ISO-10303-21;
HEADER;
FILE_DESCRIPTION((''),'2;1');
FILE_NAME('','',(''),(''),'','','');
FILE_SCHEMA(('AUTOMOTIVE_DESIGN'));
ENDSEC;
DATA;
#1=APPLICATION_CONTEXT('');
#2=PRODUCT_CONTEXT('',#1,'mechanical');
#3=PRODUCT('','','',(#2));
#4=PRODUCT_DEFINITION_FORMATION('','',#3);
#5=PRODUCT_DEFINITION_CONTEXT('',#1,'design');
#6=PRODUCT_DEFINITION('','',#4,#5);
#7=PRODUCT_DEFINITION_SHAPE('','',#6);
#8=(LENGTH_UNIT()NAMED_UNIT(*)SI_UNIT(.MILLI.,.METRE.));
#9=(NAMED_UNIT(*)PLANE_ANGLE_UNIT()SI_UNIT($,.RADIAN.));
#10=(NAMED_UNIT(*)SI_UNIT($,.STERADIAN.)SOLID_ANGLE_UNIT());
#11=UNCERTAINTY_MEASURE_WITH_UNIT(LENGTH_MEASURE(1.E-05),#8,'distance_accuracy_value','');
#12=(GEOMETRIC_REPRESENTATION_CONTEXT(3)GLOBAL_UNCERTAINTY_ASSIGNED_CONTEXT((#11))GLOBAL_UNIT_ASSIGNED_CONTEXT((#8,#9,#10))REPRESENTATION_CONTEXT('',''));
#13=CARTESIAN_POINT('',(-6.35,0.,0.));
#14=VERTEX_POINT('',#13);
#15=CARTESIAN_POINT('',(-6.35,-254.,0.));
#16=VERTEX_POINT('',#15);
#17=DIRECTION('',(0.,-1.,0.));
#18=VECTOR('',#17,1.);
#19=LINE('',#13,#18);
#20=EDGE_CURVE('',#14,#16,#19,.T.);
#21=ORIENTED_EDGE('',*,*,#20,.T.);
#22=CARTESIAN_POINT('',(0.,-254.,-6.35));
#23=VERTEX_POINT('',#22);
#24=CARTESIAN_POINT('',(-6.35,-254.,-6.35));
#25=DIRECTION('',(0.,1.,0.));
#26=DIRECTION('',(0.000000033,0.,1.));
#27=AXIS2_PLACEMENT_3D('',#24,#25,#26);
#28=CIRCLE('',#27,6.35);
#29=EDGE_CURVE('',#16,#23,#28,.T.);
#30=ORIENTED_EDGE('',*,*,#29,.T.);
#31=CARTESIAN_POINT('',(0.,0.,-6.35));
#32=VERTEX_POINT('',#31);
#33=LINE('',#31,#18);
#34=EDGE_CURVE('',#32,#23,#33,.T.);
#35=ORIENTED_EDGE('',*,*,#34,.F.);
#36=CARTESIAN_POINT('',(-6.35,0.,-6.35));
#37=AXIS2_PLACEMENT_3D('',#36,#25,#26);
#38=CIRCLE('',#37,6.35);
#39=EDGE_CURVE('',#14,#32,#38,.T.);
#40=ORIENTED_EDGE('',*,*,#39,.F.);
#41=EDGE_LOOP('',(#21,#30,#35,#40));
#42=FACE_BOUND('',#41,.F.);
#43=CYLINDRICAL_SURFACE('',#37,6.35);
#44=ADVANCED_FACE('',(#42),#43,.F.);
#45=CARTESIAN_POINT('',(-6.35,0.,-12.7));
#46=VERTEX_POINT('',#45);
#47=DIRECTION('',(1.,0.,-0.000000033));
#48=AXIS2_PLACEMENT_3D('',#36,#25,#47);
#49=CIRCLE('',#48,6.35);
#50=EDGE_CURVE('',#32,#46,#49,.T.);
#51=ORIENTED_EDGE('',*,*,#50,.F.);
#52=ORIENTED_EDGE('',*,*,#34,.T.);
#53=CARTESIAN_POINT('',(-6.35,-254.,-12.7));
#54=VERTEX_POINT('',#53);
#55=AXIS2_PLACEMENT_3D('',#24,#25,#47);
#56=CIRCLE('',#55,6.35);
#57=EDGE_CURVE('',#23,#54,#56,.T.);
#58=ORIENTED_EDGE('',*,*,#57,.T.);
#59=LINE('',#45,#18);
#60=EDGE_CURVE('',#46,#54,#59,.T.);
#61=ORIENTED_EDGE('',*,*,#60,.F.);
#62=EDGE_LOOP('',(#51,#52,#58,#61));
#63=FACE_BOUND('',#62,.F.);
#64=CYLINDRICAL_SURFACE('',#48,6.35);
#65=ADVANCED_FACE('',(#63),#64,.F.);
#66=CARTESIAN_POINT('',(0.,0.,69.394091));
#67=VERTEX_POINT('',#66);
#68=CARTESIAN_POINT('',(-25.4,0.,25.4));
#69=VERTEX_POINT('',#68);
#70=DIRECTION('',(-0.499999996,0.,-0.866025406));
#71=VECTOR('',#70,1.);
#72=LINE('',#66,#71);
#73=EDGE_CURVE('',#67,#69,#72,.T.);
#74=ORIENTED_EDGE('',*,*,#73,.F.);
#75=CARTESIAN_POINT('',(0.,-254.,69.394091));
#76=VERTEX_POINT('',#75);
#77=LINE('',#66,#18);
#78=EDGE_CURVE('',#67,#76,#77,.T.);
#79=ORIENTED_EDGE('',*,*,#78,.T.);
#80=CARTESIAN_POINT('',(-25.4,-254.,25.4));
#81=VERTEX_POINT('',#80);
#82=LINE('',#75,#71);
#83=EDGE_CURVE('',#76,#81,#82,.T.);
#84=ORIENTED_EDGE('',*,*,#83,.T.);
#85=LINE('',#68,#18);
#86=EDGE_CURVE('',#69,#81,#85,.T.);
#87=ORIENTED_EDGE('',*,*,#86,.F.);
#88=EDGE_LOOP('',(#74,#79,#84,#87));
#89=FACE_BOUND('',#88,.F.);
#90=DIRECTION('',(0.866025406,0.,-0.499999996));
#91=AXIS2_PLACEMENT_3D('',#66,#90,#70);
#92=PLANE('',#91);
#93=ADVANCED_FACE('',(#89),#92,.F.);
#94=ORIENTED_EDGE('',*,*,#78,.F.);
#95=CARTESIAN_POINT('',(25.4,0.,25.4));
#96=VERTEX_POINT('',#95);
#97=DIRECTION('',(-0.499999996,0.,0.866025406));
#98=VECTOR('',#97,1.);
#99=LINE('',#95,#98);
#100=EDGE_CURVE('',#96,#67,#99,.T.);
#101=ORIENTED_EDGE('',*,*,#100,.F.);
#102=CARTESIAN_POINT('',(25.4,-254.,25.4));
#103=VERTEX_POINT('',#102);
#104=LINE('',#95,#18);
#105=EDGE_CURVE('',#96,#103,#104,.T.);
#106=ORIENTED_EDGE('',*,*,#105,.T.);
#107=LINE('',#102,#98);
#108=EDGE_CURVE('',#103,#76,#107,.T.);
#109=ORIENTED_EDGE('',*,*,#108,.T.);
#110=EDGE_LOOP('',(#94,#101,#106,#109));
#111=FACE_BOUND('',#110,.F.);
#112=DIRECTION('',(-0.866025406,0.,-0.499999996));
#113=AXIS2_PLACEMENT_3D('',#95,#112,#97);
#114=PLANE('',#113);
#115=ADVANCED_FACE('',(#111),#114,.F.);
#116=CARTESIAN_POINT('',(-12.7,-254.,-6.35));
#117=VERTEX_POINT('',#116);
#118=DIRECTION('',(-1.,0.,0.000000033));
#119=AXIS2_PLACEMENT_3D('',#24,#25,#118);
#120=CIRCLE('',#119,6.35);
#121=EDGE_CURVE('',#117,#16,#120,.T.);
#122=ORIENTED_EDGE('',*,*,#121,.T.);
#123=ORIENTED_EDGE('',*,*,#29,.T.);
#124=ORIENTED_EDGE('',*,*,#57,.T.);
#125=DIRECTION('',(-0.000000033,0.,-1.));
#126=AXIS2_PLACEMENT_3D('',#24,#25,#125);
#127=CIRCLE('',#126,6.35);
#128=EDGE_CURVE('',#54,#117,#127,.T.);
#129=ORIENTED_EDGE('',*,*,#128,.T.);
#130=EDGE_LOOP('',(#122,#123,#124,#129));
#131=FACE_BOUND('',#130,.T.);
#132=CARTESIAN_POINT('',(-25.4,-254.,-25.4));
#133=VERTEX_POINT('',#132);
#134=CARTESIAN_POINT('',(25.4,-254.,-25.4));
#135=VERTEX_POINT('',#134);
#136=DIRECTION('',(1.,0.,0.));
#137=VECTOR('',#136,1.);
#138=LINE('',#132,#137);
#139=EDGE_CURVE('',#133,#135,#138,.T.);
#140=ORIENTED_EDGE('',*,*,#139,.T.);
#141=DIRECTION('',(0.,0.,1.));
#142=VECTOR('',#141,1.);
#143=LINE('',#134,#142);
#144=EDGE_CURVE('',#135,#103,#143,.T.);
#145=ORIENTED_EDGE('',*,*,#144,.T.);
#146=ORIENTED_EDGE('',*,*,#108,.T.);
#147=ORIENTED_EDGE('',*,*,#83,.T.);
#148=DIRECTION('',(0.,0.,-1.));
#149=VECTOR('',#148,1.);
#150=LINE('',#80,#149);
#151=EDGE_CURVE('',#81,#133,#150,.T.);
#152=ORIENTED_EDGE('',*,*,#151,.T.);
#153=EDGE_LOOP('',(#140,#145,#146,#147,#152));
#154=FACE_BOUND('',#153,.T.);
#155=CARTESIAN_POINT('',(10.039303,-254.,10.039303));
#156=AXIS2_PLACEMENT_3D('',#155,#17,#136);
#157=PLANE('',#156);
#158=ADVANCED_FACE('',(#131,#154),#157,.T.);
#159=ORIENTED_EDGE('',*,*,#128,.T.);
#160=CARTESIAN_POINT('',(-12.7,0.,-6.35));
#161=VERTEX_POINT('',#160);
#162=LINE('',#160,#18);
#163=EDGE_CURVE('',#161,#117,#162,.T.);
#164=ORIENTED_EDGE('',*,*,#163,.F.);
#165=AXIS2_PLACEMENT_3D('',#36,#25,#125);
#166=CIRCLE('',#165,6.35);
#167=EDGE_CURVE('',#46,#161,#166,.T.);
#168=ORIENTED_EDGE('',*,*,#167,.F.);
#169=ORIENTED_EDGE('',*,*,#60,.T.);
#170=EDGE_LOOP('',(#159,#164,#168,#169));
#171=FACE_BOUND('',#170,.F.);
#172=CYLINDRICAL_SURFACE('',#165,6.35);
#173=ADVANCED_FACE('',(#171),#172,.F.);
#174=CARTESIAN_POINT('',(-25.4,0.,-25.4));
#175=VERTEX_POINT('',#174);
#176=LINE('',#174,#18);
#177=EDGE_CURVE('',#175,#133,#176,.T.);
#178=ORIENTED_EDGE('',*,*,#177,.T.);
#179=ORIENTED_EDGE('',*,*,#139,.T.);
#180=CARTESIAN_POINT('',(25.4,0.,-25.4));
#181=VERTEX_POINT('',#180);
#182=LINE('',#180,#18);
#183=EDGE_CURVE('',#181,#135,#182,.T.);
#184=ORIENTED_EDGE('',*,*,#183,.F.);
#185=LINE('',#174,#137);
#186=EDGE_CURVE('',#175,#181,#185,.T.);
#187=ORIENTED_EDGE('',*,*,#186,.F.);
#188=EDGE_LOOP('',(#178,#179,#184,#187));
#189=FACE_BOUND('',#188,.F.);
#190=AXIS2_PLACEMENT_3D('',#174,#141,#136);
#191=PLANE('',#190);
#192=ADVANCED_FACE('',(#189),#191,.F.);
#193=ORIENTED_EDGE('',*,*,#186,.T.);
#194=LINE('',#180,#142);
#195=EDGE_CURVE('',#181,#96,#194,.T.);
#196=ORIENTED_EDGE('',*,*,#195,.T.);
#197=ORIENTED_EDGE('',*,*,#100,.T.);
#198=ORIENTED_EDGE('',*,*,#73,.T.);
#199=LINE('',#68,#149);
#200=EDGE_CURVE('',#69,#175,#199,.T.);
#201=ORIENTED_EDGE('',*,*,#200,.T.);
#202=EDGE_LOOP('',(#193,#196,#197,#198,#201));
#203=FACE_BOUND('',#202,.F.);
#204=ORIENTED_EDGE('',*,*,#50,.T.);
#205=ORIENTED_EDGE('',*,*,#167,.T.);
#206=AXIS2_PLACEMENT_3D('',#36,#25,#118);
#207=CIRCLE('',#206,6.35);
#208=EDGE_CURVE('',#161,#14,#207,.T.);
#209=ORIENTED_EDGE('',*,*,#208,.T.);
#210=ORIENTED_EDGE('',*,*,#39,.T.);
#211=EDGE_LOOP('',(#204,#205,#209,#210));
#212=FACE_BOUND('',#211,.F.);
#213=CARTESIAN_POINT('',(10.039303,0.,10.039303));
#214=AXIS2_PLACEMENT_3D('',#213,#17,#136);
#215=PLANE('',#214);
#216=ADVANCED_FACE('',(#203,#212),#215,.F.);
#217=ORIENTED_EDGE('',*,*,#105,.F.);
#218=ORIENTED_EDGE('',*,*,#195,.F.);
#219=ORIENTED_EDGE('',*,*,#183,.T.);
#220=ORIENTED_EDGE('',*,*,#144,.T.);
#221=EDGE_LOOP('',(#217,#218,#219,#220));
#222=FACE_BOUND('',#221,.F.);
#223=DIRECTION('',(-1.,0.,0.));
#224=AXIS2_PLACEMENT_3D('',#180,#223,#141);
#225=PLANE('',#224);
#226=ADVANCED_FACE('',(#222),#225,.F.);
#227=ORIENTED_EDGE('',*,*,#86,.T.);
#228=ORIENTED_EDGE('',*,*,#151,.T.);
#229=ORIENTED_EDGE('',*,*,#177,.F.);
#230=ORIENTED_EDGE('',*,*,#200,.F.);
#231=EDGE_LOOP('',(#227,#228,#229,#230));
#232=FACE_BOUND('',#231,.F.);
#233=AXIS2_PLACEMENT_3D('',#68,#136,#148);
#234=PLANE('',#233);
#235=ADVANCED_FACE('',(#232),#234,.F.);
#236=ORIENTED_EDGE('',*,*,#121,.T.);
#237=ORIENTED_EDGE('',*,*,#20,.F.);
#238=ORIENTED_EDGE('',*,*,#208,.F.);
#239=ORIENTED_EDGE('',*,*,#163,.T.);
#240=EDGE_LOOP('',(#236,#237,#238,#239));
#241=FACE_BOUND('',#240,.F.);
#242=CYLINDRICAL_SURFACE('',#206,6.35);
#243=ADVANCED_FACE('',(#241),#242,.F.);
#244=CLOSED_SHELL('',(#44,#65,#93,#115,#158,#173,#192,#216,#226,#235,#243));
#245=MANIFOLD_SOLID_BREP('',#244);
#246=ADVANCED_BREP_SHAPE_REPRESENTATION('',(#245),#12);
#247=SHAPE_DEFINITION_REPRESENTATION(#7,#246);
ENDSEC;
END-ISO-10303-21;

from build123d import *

# Parameters (mm, degrees)
F1_DEPTH = 254


with BuildPart() as f1:
    # F0 (on Front) → F1 (new body)
    with BuildSketch(Plane.XZ):
        with BuildLine():
            Line((25.4, -6.35), (25.4, 25.4))
            Line((25.4, 25.4), (-6.35, 25.4))
            Line((-6.35, 25.4), (-6.35, 0))
            ThreePointArc((-6.35, 0), (-1.859872, -1.859872), (0, -6.35))
            Line((0, -6.35), (25.4, -6.35))
        make_face()
        Polygon((-6.35, 25.4), (25.4, 25.4), (0, 69.394091), (-25.4, 25.4), align=None)
        with BuildLine():
            Line((-6.35, 0), (-6.35, 25.4))
            Line((-6.35, 25.4), (-25.4, 25.4))
            Line((-25.4, 25.4), (-25.4, -6.35))
            Line((-25.4, -6.35), (-12.7, -6.35))
            ThreePointArc((-12.7, -6.35), (-10.840128, -1.859872), (-6.35, 0))
        make_face()
        with BuildLine():
            Line((25.4, -25.4), (25.4, -6.35))
            Line((25.4, -6.35), (0, -6.35))
            ThreePointArc((0, -6.35), (-1.859872, -10.840128), (-6.35, -12.7))
            Line((-6.35, -12.7), (-6.35, -25.4))
            Line((-6.35, -25.4), (25.4, -25.4))
        make_face()
        with BuildLine():
            Line((-12.7, -6.35), (-25.4, -6.35))
            Line((-25.4, -6.35), (-25.4, -25.4))
            Line((-25.4, -25.4), (-6.35, -25.4))
            Line((-6.35, -25.4), (-6.35, -12.7))
            ThreePointArc((-6.35, -12.7), (-10.840128, -10.840128), (-12.7, -6.35))
        make_face()
    extrude(amount=F1_DEPTH)


solid = f1.part
